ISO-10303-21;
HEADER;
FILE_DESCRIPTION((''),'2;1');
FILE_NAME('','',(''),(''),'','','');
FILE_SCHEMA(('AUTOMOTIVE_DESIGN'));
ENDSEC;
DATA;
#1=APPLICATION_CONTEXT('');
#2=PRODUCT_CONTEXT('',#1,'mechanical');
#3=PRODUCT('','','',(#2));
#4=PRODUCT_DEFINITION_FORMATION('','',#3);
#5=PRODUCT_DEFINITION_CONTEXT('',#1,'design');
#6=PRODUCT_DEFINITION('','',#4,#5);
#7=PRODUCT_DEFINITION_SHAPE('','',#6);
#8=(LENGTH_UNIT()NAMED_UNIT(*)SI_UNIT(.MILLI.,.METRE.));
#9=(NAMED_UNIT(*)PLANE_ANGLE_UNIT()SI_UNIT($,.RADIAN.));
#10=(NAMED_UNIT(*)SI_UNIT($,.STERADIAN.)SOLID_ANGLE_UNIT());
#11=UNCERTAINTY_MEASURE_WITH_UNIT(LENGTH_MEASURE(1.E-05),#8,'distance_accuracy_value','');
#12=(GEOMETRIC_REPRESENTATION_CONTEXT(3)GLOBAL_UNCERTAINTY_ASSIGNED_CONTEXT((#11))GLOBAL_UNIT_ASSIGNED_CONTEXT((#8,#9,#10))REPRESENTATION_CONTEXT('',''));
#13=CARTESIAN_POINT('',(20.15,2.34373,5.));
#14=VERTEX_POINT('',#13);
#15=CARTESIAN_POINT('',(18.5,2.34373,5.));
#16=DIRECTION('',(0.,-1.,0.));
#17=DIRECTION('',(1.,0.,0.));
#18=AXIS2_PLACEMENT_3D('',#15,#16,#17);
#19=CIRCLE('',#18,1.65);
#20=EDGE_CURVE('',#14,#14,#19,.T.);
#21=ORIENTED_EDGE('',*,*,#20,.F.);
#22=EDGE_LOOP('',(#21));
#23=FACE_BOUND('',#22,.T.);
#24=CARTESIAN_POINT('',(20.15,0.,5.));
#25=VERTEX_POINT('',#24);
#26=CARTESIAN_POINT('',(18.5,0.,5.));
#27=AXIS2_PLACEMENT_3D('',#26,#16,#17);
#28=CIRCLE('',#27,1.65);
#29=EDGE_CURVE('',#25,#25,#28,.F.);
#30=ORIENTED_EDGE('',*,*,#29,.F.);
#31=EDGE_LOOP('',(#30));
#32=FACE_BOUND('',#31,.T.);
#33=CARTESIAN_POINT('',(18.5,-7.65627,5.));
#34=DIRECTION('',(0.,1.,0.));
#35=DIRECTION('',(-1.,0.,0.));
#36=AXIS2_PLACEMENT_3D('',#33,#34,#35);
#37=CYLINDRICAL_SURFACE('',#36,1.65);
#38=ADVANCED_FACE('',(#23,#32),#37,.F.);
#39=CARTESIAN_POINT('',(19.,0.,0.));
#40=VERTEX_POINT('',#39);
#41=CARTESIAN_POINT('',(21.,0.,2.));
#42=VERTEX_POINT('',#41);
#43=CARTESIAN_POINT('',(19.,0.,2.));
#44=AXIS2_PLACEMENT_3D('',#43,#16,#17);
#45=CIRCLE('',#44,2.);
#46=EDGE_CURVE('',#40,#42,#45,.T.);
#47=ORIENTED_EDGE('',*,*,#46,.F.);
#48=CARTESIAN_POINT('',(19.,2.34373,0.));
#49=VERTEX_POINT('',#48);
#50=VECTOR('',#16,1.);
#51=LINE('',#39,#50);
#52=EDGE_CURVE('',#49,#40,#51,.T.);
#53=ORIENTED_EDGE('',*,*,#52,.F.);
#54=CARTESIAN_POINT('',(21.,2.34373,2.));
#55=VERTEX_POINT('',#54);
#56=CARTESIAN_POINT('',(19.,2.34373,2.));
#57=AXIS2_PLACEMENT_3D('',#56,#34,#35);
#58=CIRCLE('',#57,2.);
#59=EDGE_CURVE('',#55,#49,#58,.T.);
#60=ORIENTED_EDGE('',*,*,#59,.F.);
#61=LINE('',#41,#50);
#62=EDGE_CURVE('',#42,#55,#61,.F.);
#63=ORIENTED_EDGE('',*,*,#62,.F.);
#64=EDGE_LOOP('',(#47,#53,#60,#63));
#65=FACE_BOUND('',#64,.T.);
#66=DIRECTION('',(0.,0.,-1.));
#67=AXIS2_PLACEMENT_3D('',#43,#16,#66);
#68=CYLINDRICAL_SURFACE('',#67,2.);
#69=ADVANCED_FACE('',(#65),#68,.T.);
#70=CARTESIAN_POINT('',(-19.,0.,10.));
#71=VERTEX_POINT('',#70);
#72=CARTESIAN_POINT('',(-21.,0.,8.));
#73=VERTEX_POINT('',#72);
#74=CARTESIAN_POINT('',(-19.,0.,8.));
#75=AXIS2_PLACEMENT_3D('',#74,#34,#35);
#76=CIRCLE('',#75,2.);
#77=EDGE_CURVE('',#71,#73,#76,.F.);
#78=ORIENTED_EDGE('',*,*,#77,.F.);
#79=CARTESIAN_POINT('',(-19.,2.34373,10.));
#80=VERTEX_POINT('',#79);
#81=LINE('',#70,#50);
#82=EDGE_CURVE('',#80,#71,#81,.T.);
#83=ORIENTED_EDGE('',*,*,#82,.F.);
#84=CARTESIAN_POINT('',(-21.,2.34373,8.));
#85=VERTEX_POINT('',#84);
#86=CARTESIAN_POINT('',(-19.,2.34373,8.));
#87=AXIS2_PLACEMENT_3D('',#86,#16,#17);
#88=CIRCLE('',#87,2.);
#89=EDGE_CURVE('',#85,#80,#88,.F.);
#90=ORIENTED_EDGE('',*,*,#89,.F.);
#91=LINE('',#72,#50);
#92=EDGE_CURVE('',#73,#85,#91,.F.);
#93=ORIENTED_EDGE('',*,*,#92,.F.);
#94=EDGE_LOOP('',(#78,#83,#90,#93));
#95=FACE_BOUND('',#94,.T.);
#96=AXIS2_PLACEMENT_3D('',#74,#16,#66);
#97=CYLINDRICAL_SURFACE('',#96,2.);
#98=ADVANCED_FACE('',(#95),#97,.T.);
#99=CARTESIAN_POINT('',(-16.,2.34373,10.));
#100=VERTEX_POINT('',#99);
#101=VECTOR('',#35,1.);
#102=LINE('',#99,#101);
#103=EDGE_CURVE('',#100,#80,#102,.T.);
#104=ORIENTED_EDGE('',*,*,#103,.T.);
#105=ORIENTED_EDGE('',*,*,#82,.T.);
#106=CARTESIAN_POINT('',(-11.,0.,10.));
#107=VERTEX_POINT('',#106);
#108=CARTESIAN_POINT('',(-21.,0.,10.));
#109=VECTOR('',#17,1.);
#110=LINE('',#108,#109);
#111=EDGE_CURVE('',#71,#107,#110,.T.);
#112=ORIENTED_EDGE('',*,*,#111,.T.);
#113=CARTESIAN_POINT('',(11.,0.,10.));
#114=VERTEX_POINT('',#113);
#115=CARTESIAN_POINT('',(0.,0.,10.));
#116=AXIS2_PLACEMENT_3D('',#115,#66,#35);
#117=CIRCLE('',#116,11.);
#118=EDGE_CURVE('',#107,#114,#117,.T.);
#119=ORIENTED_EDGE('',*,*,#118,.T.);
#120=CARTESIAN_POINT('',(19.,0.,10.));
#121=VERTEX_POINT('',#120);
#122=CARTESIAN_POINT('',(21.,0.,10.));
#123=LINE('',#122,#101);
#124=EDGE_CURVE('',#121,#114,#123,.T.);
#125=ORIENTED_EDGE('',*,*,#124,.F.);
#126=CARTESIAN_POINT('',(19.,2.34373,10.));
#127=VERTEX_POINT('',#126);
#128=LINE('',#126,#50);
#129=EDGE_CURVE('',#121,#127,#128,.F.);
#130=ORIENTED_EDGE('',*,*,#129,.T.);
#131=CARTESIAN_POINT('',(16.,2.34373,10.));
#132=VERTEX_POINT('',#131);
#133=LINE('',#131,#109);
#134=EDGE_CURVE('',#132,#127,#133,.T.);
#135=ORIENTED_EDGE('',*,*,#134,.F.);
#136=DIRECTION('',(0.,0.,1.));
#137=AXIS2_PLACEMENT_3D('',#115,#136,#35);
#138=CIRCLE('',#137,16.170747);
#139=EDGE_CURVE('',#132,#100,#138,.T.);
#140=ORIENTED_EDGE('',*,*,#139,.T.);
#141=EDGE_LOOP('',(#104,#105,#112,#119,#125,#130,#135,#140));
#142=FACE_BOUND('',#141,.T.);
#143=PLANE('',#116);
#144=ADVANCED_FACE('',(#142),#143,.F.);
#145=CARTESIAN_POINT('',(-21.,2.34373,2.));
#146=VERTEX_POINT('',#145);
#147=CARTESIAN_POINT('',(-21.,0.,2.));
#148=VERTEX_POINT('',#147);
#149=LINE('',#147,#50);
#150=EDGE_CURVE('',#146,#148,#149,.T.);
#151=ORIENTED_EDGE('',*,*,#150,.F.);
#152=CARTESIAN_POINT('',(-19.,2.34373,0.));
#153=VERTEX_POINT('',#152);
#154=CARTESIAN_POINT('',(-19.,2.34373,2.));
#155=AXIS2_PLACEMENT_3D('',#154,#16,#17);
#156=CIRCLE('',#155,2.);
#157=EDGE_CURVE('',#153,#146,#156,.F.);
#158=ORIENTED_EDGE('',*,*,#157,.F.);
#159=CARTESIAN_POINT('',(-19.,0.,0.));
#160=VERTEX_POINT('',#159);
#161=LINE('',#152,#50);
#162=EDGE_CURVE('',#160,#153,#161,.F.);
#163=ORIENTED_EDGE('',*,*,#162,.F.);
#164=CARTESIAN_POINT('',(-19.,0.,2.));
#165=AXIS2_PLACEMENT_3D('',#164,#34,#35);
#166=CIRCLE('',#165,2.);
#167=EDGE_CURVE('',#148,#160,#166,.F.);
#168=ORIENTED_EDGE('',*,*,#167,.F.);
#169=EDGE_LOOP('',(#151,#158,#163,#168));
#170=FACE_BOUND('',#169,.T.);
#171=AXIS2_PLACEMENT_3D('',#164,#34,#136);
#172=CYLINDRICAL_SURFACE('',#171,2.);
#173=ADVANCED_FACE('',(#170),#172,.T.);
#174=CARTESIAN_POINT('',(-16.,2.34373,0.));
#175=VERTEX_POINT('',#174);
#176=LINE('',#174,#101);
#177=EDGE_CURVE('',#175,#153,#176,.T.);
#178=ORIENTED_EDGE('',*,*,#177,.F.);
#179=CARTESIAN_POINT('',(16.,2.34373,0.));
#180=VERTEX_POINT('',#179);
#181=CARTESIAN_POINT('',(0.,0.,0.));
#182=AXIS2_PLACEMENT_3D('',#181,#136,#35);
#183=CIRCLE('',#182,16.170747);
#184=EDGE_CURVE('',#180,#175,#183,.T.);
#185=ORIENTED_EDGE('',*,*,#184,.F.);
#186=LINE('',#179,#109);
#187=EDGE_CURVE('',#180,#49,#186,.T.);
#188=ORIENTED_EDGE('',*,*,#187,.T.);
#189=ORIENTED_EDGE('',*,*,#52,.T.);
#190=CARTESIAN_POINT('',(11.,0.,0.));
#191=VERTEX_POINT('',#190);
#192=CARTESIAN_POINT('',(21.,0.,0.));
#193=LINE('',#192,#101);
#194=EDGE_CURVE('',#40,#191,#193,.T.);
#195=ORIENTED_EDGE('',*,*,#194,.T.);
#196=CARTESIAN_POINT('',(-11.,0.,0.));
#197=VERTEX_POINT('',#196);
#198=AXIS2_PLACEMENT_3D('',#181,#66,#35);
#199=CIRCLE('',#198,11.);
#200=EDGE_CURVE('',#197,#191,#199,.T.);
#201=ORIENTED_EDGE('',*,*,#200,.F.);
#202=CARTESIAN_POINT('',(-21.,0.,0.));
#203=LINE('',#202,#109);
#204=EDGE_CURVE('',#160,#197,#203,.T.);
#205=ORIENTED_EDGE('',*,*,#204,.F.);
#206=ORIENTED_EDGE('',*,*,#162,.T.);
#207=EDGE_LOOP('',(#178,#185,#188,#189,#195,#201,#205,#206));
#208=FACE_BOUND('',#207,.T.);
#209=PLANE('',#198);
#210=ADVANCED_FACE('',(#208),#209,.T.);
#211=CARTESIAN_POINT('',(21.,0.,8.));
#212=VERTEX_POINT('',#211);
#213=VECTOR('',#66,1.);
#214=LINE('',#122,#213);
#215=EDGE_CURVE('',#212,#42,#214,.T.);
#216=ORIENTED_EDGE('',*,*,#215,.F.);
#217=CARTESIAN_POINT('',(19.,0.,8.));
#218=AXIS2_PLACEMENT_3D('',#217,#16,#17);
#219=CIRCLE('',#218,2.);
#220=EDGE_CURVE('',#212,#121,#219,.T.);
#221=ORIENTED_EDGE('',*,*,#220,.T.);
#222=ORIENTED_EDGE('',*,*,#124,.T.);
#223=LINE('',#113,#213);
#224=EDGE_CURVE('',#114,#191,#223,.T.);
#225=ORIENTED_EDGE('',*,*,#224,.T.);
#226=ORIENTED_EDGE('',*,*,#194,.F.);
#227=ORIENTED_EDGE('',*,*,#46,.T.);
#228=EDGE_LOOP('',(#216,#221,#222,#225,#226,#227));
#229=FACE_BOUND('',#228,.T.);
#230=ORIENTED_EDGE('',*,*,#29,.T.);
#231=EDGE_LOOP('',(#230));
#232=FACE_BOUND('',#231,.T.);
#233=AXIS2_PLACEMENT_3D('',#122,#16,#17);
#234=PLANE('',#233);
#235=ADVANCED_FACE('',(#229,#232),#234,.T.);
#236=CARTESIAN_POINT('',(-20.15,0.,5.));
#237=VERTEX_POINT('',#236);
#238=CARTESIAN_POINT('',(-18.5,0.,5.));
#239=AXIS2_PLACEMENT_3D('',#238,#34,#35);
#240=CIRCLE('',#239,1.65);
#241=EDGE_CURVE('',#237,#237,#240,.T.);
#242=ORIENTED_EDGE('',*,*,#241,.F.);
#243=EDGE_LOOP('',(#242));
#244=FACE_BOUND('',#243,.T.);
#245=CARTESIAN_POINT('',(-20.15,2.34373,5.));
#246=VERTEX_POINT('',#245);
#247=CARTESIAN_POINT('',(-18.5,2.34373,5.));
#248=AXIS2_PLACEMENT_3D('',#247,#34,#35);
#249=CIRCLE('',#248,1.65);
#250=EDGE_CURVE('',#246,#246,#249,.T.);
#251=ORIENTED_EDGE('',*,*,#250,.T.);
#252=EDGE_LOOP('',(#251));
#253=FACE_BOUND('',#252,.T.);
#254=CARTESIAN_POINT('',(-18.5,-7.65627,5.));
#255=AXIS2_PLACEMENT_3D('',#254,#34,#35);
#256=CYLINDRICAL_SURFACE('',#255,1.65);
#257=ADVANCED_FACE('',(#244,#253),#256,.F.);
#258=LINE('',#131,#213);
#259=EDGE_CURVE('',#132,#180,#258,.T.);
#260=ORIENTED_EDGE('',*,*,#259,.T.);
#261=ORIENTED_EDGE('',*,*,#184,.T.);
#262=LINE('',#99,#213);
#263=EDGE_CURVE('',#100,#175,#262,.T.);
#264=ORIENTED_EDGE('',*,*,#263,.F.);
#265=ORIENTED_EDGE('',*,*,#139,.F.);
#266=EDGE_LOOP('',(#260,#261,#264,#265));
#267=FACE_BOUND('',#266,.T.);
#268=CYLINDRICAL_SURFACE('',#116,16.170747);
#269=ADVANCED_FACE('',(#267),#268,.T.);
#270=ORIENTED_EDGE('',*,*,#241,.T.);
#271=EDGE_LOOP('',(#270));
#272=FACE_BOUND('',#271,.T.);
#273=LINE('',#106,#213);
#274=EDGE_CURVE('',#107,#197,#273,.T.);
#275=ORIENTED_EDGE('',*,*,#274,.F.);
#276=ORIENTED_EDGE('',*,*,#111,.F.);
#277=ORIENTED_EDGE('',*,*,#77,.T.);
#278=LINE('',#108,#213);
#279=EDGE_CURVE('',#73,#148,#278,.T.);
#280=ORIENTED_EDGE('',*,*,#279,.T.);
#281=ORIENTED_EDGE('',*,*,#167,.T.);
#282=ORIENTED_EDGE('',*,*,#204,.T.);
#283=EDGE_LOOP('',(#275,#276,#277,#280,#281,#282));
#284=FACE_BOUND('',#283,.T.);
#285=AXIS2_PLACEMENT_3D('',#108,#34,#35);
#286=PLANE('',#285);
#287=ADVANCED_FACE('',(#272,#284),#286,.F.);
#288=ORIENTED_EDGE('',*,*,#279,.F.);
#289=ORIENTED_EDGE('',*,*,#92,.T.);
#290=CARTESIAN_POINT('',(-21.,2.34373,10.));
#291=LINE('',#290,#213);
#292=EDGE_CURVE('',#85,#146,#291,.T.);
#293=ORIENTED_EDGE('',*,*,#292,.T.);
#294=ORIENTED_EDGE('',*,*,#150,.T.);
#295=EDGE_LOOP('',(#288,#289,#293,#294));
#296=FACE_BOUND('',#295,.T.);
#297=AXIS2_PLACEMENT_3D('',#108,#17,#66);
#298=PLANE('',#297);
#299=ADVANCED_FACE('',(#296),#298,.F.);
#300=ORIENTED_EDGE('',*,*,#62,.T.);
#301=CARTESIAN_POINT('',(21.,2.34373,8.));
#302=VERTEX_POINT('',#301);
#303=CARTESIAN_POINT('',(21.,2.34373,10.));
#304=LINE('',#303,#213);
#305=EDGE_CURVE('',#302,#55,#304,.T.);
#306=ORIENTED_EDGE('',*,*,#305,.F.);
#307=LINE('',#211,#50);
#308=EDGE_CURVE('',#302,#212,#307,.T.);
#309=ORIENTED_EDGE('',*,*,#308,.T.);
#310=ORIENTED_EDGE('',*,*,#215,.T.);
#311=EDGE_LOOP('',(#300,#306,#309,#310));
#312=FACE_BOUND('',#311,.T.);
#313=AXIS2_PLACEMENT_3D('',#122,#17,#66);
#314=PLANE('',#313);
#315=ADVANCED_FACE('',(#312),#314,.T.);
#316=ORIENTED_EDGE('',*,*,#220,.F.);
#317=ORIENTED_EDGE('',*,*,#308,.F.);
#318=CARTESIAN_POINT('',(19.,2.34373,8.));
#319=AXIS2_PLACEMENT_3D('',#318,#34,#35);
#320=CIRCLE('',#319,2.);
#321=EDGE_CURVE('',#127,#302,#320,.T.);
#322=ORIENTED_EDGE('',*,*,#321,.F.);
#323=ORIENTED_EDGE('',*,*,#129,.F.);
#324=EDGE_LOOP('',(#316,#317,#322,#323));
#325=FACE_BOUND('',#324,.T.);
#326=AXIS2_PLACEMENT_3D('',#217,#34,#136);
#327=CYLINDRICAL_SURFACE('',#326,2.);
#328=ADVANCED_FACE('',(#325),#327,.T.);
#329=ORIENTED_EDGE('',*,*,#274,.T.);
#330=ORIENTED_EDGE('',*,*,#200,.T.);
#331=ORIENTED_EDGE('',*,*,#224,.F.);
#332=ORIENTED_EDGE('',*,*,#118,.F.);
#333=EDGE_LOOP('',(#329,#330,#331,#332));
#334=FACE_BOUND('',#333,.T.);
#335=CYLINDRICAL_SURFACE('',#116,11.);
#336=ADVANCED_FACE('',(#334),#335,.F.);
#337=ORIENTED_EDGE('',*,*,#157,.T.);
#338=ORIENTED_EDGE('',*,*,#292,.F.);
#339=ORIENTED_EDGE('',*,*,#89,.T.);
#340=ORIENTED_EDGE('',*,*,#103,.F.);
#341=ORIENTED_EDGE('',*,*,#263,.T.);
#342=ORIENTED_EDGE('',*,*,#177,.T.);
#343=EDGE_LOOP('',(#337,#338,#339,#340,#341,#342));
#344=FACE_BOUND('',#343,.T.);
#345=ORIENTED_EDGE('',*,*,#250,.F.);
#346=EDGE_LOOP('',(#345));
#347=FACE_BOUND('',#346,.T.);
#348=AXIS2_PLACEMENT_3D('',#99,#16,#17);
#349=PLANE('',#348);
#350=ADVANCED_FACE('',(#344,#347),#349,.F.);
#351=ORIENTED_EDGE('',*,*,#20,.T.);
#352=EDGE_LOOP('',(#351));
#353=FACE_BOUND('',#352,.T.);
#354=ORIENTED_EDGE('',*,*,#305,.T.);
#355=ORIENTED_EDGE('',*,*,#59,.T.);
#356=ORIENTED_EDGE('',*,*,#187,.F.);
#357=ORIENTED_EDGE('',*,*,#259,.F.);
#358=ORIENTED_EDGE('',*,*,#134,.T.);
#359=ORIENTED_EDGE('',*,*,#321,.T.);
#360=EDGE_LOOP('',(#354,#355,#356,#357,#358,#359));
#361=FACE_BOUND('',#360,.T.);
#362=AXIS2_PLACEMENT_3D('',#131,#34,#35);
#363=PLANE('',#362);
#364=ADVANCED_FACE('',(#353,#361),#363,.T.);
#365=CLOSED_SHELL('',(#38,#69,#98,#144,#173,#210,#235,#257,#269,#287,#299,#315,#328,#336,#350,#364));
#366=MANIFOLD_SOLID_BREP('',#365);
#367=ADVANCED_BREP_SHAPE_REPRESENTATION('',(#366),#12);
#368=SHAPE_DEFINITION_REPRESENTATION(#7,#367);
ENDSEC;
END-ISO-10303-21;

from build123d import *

# Parameters (mm, degrees)
BOSS_EXTRUDE1_DEPTH  = 10
SKETCH2_R            = 1.65
CUT_EXTRUDE1_DEPTH   = 10
FILLET1_R            = 2
FILLET1_OF_MIRROR1_R = 2


with BuildPart() as part:
    # Sketch1 → Boss-Extrude1 (new body)
    with BuildSketch(Plane.XY):
        with BuildLine():
            Line((-21, 0), (-11, 0))
            ThreePointArc((-11, 0), (-7.778174593, 7.778174593), (0, 11))
            Line((0, 11), (0, 16.170747429))
            ThreePointArc((0, 16.170747429), (-10.573391114, 12.235050991), (-16, 2.343730447))
            Line((-16, 2.343730447), (-21, 2.343730447))
            Line((-21, 2.343730447), (-21, 0))
        make_face()
    boss_extrude1 = extrude(amount=BOSS_EXTRUDE1_DEPTH)

    # Sketch2 → Cut-Extrude1 (cut)
    with BuildSketch(Plane(origin=(0, 2.343730447, 0), x_dir=(1, 0, 0), z_dir=(0, 1, 0))):
        with Locations((-18.5, -5)):
            Circle(SKETCH2_R)
    cut_extrude1 = extrude(amount=-CUT_EXTRUDE1_DEPTH, mode=Mode.SUBTRACT)

    # Fillet1
    fillet1_edges = [part.edges().sort_by_distance(p)[0] for p in [
        (-21, 1.171865223, 10),
        (-21, 1.171865223, 0),
    ]]
    fillet(fillet1_edges, radius=FILLET1_R)

    # Mirror1: Boss-Extrude1, Cut-Extrude1 across plane
    add(boss_extrude1.mirror(Plane(origin=(0, 11, 10), x_dir=(0, 0, 1), z_dir=(-1, 0, 0))))
    add(cut_extrude1.mirror(Plane(origin=(0, 11, 10), x_dir=(0, 0, 1), z_dir=(-1, 0, 0))), mode=Mode.SUBTRACT)

    # Fillet1 of Mirror1
    fillet1_of_mirror1_edges = [part.edges().sort_by_distance(p)[0] for p in [
        (21, 1.171865223, 10),
        (21, 1.171865223, 0),
    ]]
    fillet(fillet1_of_mirror1_edges, radius=FILLET1_OF_MIRROR1_R)


solid = part.part
